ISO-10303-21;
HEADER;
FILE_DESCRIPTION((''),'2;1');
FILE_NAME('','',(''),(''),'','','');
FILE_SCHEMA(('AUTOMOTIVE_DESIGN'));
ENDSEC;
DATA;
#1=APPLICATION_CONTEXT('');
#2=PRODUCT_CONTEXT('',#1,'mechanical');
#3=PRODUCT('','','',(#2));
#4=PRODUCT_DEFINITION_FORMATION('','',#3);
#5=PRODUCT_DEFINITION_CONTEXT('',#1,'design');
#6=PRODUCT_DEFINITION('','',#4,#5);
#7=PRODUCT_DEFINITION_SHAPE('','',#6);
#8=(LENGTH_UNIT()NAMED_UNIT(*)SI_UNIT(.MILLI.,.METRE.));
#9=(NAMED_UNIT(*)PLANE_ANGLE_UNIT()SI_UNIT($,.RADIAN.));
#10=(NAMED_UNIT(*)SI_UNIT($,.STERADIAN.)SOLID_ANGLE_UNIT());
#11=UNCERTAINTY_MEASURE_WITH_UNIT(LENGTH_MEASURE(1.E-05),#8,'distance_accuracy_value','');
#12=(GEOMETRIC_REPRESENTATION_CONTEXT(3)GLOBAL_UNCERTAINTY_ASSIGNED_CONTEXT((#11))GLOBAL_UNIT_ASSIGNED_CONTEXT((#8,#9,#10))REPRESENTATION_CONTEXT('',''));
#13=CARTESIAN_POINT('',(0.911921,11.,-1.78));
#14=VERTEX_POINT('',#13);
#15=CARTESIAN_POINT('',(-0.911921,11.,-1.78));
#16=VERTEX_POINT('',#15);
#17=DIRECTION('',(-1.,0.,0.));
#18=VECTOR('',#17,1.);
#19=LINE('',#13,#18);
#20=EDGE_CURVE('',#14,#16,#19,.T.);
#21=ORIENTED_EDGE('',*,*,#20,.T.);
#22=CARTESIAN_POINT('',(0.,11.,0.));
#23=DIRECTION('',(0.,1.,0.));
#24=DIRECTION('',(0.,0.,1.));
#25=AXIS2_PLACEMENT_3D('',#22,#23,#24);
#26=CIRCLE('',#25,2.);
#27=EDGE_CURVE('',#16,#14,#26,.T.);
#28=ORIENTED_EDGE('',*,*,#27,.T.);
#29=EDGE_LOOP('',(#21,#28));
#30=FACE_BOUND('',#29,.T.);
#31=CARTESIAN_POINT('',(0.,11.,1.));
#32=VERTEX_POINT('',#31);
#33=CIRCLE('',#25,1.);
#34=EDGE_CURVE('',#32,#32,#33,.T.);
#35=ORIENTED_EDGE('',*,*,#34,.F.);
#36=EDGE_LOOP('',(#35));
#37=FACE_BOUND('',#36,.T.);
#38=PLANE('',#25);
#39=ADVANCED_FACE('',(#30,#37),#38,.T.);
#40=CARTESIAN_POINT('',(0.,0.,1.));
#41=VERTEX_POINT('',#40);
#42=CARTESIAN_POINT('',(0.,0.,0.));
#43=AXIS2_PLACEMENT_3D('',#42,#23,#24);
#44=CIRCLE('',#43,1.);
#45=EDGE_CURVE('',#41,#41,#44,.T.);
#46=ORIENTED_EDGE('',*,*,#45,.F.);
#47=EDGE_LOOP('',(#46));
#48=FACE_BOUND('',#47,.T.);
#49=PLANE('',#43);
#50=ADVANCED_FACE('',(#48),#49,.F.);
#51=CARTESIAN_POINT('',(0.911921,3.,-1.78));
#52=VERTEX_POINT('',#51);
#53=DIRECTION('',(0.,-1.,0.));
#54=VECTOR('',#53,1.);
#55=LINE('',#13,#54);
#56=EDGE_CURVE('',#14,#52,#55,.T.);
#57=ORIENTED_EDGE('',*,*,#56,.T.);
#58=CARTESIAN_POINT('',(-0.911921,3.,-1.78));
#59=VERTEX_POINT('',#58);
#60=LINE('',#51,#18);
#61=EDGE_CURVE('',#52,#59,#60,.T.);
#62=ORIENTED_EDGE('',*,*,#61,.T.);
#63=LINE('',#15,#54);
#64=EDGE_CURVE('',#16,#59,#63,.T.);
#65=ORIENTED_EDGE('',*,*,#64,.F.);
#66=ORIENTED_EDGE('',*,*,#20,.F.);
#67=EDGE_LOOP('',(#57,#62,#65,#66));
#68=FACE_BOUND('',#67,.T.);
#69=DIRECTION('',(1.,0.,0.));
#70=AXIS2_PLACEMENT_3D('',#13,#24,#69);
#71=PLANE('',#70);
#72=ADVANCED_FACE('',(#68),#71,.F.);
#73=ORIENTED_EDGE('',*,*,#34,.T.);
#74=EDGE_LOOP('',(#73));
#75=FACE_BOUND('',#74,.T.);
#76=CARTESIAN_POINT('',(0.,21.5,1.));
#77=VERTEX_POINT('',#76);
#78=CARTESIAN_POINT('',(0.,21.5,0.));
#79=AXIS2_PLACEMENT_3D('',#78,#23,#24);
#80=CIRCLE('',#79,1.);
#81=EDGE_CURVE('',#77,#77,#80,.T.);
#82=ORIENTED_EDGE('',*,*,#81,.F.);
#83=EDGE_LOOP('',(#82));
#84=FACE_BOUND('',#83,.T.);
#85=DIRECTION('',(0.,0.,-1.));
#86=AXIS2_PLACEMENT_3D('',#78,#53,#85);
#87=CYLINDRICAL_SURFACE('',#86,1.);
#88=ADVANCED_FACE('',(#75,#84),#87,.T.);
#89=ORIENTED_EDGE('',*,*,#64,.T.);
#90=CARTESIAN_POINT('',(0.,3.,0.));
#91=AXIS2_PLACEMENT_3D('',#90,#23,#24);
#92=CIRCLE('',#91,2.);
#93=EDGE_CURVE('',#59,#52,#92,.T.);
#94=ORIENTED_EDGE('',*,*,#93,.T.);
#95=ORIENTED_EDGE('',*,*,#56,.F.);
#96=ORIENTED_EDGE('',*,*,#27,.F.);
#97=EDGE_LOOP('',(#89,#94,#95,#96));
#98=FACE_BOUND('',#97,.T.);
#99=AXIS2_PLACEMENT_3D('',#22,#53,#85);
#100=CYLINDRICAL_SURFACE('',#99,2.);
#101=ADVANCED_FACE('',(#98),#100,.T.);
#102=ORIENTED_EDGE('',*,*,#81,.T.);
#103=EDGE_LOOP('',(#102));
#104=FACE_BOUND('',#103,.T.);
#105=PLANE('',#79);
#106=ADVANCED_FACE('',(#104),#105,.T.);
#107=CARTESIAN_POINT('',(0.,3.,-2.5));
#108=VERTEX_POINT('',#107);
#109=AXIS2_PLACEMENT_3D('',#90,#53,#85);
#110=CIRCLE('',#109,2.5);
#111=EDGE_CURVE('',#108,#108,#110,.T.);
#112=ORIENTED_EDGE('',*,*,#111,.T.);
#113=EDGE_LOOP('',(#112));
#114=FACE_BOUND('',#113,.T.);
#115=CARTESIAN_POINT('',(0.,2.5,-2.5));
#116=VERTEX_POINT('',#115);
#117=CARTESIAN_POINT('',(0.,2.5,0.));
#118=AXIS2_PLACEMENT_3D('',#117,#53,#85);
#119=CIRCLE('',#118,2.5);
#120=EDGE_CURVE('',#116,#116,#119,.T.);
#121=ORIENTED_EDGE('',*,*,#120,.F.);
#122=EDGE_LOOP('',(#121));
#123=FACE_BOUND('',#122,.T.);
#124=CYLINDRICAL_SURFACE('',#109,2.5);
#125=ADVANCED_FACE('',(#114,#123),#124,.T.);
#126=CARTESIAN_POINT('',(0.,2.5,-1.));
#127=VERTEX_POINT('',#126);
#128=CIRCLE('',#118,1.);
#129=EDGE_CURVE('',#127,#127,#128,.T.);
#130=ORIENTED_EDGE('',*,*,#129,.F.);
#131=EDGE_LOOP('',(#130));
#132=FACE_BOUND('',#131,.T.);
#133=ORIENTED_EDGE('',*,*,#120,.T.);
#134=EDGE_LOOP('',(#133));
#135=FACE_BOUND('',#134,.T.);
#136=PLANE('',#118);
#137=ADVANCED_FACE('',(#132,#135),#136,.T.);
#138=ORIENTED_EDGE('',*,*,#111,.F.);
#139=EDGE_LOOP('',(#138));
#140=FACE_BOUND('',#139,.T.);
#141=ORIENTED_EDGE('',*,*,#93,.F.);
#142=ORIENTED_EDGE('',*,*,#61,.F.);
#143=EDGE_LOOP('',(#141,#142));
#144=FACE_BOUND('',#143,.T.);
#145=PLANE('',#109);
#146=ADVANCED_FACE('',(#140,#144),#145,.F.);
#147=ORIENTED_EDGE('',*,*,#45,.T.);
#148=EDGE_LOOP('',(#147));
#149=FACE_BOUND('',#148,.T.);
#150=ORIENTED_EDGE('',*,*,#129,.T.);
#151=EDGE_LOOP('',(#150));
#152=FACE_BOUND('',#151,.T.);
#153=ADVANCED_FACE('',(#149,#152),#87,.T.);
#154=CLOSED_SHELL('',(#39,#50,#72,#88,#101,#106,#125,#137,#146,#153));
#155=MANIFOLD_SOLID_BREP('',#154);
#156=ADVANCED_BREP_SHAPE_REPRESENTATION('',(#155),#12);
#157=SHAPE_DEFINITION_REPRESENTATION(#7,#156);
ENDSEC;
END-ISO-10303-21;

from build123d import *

# Parameters (mm, degrees)
SKETCH_1_R      = 1
EXTRUDE_1_DEPTH = 21.5
EXTRUDE_START   = -2.5
SKETCH_2_R      = 2.5
SKETCH_2_R_2    = 1
EXTRUDE_2_DEPTH = 0.5
SKETCH_3_R      = 1
EXTRUDE_3_DEPTH = 8


with BuildPart() as part:
    # 草图1 → 凸台-拉伸1 (new body)
    with BuildSketch(Plane(origin=(0, 0, 0), x_dir=(1, 0, 0), z_dir=(0, 1, 0))):
        with Locations(Location((0, 0, 0), (0, 0, 270))):
            Circle(SKETCH_1_R)
    extrude(amount=EXTRUDE_1_DEPTH)

    # 草图2 → 凸台-拉伸2 (add)
    with BuildSketch(Plane.XZ.offset(EXTRUDE_START)):
        with Locations(Location((0, 0, 0), (0, 0, 270))):
            Circle(SKETCH_2_R)
        with Locations(Location((0, 0, 0), (0, 0, 270))):
            Circle(SKETCH_2_R_2, mode=Mode.SUBTRACT)
    extrude(amount=-EXTRUDE_2_DEPTH)

    # 草图3 → 凸台-拉伸3 (add)
    with BuildSketch(Plane(origin=(0, 3, 0), x_dir=(-1, 0, 0), z_dir=(0, 1, 0))):
        with BuildLine():
            Line((-0.911921049, -1.78), (0.911921049, -1.78))
            ThreePointArc((0.911921049, -1.78), (0, 2), (-0.911921049, -1.78))
        make_face()
        with Locations(Location((0, 0, 0), (0, 0, 270))):
            Circle(SKETCH_3_R, mode=Mode.SUBTRACT)
    extrude(amount=EXTRUDE_3_DEPTH)


solid = part.part
